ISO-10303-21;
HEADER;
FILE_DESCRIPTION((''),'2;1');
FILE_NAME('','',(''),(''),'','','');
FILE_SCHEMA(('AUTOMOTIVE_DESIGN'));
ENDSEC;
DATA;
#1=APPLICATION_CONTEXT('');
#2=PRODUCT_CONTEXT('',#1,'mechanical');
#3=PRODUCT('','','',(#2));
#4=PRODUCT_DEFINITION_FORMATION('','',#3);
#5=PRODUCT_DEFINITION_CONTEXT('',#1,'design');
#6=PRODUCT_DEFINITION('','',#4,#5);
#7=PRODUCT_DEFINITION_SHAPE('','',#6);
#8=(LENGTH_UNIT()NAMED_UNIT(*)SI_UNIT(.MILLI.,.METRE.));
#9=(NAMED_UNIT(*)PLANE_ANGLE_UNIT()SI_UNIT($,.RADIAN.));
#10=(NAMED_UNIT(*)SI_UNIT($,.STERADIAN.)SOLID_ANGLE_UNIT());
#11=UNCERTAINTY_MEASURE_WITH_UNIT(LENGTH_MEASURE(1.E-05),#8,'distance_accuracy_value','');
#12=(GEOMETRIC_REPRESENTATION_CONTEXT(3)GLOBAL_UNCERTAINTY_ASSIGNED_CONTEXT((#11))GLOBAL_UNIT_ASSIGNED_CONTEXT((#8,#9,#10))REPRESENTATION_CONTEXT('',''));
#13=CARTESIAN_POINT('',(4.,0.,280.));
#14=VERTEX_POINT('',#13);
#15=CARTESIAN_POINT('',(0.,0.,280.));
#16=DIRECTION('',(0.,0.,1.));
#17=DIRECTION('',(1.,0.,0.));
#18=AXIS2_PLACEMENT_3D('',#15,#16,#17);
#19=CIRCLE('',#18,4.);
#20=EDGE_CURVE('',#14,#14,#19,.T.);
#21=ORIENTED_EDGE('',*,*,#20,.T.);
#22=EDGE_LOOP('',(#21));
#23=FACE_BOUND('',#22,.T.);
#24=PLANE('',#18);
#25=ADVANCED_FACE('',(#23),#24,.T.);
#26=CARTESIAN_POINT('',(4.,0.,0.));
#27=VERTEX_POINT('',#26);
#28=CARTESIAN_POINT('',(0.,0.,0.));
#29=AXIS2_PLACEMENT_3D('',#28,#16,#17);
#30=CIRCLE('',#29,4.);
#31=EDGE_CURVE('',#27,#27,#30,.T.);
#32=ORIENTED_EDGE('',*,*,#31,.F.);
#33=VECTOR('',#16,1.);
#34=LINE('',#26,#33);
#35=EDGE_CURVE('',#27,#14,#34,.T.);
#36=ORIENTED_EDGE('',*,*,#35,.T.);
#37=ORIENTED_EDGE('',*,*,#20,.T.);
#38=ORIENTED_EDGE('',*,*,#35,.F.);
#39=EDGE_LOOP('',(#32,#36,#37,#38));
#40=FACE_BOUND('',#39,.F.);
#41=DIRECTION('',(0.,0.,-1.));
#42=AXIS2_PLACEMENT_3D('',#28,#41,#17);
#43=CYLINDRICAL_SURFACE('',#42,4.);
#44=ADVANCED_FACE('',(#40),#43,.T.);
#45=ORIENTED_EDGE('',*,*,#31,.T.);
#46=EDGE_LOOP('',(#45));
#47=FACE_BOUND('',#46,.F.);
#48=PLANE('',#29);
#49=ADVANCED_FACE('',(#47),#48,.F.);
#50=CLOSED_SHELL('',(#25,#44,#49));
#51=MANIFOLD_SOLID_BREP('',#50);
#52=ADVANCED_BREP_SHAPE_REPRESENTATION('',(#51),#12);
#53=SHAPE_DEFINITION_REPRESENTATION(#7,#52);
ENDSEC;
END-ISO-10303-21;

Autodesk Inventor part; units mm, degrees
ref_plane "YZ Plane" through (0, 0, 0) normal (1, 0, 0) x (0, 1, 0)
ref_plane "XZ Plane" through (0, 0, 0) normal (0, 1, 0) x (-1, 0, 0)
ref_plane "XY Plane" through (0, 0, 0) normal (0, 0, 1) x (1, 0, 0)
sketch "Sketch1" plane through (0, 0, 0) normal (0, 0, 1) x (1, 0, 0)
  circle A0 centre (0, 0) radius 4
  dimension "d0" = 8
extrude "Extrusion1" add sketch "Sketch1" along normal blind 280
properties material "Stainless Steel"
